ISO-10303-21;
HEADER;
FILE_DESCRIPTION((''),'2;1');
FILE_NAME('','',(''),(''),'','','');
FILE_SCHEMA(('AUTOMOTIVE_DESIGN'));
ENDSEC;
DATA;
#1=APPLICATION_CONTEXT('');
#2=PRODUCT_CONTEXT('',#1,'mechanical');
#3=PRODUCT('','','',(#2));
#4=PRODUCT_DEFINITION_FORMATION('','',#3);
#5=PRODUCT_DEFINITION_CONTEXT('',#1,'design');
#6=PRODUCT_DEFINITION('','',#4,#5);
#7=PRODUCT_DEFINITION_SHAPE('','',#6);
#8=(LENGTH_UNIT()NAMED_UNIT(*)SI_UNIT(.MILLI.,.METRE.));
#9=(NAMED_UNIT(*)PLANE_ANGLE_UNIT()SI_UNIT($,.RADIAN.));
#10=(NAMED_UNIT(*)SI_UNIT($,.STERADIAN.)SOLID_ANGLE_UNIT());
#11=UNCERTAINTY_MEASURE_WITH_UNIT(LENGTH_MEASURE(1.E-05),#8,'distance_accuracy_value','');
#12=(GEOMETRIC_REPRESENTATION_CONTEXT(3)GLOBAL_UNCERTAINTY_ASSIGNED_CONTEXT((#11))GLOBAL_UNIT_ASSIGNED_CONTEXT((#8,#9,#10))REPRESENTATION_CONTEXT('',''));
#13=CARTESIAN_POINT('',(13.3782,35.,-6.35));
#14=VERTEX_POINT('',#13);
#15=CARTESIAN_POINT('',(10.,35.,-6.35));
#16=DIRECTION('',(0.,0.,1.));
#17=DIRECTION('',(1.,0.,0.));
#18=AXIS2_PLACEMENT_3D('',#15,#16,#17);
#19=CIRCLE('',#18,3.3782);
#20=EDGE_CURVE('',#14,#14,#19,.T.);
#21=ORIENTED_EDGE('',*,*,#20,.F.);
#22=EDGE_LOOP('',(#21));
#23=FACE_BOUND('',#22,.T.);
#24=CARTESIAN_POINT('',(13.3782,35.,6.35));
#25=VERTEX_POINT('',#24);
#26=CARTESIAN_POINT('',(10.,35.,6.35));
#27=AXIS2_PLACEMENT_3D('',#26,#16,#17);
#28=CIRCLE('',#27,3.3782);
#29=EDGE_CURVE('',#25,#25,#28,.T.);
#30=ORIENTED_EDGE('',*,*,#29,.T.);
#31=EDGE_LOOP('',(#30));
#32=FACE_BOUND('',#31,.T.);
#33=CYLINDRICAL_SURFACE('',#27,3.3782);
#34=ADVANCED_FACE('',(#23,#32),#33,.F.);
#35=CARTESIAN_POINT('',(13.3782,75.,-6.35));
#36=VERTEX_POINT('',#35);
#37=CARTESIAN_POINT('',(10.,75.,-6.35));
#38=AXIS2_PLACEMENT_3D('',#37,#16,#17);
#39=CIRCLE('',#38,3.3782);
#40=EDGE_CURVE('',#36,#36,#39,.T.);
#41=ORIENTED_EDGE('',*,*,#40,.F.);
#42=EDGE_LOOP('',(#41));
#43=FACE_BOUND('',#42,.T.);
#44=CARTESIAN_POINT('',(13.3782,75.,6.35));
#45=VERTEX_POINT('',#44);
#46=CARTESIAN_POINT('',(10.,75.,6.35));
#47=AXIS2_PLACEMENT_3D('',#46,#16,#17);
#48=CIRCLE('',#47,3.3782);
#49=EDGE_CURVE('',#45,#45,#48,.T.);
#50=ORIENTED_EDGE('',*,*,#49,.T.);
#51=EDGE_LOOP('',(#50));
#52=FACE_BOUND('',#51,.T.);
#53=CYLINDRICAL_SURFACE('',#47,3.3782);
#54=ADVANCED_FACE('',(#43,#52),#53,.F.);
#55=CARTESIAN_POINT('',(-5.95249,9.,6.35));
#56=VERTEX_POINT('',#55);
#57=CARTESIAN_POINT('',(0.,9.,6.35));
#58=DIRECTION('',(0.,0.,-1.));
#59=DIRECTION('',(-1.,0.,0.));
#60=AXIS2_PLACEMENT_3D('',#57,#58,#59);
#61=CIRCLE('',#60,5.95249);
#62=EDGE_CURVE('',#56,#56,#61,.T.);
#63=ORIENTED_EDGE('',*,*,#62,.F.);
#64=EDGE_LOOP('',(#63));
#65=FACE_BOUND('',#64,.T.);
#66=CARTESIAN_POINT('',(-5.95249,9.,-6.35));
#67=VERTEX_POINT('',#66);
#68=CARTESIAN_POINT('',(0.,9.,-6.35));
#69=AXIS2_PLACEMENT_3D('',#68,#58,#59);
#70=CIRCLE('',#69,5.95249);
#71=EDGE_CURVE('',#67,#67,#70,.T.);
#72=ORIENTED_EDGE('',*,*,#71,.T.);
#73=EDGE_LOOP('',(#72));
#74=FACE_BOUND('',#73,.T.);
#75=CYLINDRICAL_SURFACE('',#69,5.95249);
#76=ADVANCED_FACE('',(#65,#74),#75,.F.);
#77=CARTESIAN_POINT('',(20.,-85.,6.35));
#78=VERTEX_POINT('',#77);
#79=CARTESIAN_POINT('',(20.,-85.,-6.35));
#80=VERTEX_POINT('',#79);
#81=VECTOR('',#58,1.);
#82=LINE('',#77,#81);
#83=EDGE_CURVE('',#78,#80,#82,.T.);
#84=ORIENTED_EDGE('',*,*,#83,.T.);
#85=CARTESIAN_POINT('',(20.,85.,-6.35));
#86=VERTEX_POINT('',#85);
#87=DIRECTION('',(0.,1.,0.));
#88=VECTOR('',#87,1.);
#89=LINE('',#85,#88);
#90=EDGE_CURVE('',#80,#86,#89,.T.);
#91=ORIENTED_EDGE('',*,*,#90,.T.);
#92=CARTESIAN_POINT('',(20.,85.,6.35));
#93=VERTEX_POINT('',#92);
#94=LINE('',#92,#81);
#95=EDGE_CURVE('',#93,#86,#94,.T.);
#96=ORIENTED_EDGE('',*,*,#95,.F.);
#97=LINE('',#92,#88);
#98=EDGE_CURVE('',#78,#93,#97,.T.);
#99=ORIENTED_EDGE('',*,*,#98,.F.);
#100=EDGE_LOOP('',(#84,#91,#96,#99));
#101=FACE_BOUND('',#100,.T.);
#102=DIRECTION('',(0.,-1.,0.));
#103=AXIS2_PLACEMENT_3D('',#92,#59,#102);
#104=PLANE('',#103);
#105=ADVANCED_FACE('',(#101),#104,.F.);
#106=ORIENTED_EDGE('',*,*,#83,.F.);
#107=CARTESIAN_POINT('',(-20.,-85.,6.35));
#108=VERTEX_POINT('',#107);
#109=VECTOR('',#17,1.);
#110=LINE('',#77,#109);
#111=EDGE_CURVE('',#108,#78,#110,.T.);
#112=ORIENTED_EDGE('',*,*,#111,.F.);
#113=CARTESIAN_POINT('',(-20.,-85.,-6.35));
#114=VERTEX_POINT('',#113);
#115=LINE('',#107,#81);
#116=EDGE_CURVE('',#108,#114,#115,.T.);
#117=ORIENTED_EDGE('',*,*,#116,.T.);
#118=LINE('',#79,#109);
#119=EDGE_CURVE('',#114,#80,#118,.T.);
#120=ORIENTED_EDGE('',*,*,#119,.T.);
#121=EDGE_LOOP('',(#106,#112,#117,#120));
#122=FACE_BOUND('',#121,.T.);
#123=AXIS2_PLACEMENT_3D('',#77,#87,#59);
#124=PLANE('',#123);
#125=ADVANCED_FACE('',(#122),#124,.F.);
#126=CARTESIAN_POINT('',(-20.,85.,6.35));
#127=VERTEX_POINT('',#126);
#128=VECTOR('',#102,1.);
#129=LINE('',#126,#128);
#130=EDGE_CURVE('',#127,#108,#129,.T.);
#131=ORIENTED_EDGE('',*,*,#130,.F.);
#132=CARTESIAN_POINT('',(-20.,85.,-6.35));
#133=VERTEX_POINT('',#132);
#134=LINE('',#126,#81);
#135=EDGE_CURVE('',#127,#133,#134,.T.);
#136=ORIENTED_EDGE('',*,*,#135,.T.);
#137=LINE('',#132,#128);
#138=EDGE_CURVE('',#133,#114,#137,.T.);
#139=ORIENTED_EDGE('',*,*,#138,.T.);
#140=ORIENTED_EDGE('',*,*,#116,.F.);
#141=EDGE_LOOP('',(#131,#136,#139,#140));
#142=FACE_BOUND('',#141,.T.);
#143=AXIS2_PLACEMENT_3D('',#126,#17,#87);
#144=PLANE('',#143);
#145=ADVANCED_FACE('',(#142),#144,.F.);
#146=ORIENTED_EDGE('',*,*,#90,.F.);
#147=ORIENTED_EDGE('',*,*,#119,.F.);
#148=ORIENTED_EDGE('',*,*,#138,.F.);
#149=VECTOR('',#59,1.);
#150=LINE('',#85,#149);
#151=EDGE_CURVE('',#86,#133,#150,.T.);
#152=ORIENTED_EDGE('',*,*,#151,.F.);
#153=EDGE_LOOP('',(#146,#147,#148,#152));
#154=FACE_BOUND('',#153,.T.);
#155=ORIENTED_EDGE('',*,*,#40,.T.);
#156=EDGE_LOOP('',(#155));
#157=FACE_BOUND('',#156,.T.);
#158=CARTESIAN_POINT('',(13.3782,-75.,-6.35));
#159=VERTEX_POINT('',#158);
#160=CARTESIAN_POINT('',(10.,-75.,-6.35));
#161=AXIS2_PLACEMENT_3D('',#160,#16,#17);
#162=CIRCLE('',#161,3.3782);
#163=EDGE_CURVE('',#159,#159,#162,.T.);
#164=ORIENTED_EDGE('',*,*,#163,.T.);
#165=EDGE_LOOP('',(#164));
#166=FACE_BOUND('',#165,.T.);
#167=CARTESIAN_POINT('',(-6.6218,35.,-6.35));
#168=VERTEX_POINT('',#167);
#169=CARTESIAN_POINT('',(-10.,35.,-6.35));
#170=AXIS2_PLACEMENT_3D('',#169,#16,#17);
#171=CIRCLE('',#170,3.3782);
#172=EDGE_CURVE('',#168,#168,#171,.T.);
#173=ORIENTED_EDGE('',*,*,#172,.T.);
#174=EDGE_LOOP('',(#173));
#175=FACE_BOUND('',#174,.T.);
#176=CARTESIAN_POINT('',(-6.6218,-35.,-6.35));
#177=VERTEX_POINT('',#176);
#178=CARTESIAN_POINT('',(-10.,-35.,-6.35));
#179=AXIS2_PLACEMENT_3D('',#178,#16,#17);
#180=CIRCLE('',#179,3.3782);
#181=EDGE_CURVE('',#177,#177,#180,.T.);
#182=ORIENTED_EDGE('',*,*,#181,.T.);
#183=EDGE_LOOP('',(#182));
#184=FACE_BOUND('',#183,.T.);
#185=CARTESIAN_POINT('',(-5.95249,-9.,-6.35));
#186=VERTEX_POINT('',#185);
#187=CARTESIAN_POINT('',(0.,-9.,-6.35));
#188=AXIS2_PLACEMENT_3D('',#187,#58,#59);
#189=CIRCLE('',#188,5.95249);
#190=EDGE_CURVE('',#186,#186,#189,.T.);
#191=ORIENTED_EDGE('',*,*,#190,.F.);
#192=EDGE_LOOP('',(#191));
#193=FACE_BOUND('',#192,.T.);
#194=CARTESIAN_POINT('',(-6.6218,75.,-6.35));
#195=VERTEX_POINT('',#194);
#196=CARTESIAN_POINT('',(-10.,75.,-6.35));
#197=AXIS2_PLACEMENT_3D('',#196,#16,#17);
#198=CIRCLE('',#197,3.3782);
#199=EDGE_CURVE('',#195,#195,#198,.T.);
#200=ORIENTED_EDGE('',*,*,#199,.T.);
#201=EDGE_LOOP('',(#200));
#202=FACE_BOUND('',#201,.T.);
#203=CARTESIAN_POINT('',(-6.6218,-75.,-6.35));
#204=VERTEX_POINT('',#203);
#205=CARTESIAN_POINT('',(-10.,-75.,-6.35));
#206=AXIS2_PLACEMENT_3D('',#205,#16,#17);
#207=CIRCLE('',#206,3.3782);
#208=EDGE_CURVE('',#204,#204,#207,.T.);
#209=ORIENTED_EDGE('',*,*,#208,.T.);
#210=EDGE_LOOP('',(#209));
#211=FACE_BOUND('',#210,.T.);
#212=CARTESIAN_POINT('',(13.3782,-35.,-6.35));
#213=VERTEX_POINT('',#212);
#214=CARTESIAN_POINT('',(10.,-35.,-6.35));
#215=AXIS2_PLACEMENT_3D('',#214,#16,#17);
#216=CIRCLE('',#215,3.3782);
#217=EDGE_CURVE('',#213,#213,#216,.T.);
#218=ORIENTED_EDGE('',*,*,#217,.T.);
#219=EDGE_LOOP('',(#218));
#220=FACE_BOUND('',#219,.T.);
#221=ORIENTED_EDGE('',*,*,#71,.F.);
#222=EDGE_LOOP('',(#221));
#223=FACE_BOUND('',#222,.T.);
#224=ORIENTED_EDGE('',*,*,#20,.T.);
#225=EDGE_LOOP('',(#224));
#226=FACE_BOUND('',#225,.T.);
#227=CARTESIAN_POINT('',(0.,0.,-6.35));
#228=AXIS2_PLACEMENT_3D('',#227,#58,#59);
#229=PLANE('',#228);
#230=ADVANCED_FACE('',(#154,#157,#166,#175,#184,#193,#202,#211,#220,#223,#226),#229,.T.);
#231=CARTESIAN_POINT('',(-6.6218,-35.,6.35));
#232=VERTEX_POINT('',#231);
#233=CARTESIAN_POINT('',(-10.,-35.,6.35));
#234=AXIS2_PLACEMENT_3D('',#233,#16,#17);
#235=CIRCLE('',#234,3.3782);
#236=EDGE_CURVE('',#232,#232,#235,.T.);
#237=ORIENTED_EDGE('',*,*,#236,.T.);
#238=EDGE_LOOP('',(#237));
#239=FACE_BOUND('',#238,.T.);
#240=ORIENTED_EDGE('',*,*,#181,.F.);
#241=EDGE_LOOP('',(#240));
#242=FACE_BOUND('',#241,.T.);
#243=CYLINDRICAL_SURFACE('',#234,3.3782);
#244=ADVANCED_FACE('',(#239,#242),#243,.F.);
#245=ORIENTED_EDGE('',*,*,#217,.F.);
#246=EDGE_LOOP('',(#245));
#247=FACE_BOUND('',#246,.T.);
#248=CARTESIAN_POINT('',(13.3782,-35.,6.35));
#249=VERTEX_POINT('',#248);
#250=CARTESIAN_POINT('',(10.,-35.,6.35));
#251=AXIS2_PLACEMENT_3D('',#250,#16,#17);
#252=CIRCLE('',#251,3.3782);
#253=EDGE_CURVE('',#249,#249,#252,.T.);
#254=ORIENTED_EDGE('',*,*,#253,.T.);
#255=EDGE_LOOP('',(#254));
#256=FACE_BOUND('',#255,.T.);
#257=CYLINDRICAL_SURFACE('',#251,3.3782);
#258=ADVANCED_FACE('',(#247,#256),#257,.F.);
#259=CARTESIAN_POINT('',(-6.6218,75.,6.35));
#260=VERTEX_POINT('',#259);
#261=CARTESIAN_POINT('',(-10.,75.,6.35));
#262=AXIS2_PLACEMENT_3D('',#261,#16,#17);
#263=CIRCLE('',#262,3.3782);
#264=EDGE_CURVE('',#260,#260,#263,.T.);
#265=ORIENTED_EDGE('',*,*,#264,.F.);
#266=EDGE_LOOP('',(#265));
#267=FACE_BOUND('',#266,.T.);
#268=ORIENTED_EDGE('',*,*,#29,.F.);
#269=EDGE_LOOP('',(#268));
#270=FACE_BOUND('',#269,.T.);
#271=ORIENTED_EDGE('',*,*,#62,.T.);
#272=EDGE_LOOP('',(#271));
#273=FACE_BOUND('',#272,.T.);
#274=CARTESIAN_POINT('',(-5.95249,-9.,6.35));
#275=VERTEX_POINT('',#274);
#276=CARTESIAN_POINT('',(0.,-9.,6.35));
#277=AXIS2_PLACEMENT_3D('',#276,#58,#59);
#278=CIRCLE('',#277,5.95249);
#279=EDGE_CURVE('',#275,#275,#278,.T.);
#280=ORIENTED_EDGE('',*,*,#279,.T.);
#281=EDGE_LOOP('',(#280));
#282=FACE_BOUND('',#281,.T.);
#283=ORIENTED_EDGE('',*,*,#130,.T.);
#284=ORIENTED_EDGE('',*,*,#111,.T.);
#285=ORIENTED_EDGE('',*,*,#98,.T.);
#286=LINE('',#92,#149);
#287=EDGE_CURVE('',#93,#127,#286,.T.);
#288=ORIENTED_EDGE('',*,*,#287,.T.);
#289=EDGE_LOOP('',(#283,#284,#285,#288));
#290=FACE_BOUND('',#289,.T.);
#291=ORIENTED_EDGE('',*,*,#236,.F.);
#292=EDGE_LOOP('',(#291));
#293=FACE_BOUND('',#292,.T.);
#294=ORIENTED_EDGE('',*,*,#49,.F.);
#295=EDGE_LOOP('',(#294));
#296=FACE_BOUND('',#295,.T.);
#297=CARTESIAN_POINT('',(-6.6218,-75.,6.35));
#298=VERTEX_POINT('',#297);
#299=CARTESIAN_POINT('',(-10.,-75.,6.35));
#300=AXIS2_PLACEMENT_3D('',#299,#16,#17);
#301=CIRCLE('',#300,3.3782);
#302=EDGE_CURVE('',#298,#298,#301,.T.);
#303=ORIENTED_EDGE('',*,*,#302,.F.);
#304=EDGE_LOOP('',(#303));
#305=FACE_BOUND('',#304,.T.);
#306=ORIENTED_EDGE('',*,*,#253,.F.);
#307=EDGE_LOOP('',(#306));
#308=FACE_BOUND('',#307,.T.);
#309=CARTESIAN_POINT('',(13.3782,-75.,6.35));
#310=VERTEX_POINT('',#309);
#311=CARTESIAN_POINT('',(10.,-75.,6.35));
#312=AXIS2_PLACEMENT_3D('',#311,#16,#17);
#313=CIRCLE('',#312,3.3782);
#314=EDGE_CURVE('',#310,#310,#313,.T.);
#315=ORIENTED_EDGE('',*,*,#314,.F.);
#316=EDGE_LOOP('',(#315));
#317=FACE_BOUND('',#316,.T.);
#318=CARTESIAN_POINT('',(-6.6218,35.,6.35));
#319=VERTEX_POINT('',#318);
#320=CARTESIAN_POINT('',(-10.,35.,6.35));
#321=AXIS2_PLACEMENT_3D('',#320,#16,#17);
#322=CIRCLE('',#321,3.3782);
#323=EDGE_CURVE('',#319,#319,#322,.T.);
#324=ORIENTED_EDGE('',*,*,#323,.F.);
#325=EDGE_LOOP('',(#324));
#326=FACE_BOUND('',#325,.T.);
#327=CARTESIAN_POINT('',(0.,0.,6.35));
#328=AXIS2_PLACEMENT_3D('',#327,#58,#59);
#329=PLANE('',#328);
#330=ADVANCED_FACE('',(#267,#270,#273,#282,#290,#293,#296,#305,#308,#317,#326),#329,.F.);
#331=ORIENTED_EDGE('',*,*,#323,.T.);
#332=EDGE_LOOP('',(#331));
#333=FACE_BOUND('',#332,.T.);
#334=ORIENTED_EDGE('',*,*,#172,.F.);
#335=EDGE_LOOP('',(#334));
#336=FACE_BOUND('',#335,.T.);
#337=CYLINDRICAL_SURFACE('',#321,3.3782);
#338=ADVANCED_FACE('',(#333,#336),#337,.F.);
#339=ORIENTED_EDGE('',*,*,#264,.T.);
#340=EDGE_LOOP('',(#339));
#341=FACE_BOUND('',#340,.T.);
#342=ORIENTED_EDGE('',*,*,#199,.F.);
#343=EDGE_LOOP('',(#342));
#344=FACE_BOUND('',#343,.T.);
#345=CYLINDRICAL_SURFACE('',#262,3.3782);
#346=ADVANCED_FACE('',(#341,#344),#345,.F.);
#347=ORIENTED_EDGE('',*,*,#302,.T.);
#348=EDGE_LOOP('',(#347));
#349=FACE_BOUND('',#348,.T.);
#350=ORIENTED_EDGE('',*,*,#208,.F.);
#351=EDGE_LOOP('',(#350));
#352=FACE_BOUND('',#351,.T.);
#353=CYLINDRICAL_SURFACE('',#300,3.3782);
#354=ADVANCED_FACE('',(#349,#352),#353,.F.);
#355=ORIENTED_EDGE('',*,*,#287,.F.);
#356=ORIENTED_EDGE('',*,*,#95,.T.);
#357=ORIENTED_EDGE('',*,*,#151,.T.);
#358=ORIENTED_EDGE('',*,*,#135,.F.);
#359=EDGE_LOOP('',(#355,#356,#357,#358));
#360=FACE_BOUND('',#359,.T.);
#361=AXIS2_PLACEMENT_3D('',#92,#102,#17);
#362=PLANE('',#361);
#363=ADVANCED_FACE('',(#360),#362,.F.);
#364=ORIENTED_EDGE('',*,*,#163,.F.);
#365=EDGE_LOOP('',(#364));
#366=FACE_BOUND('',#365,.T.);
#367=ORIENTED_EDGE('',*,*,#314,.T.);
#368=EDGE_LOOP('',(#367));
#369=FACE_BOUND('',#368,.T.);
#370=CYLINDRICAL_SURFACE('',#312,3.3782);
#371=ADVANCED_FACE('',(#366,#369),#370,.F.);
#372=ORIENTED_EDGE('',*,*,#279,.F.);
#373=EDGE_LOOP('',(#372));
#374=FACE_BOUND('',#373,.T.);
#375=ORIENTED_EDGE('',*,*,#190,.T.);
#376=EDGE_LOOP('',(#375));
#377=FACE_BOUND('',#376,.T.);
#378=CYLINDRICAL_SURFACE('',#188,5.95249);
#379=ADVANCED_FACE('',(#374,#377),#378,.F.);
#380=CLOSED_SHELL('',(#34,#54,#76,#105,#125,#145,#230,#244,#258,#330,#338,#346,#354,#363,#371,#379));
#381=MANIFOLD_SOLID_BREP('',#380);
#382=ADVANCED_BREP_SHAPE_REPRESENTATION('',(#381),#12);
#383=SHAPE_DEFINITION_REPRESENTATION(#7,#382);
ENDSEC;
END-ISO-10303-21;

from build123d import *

# Parameters (mm, degrees)
CROQUIS1_W                     = 40
CROQUIS1_H                     = 170
SALIENTE_EXTRUIR1_DEPTH        = 6.35
TALADRO_DE_MARGEN_PARA_1_41_D  = 6.7564
TALADRO_DE_MARGEN_PARA_7_161_D = 11.90498


with BuildPart() as part:
    # Croquis1 → Saliente-Extruir1 (new, symmetric)
    with BuildSketch(Plane.XY):
        Rectangle(CROQUIS1_W, CROQUIS1_H)
    extrude(amount=SALIENTE_EXTRUIR1_DEPTH, both=True)

    # Taladro de margen para 1/41 (through all)
    with Locations(Plane.XY.offset(6.35)):
        with Locations((10, 75), (10, 35), (-10, 35), (-10, 75), (-10, -75), (-10, -35), (10, -35), (10, -75)):
            Hole(TALADRO_DE_MARGEN_PARA_1_41_D / 2)

    # Taladro de margen para 7/161 (through all)
    with Locations(Plane(origin=(0, 0, -6.35), x_dir=(-1, 0, 0), z_dir=(0, 0, -1))):
        with Locations((0, -9), (0, 9)):
            Hole(TALADRO_DE_MARGEN_PARA_7_161_D / 2)


solid = part.part
